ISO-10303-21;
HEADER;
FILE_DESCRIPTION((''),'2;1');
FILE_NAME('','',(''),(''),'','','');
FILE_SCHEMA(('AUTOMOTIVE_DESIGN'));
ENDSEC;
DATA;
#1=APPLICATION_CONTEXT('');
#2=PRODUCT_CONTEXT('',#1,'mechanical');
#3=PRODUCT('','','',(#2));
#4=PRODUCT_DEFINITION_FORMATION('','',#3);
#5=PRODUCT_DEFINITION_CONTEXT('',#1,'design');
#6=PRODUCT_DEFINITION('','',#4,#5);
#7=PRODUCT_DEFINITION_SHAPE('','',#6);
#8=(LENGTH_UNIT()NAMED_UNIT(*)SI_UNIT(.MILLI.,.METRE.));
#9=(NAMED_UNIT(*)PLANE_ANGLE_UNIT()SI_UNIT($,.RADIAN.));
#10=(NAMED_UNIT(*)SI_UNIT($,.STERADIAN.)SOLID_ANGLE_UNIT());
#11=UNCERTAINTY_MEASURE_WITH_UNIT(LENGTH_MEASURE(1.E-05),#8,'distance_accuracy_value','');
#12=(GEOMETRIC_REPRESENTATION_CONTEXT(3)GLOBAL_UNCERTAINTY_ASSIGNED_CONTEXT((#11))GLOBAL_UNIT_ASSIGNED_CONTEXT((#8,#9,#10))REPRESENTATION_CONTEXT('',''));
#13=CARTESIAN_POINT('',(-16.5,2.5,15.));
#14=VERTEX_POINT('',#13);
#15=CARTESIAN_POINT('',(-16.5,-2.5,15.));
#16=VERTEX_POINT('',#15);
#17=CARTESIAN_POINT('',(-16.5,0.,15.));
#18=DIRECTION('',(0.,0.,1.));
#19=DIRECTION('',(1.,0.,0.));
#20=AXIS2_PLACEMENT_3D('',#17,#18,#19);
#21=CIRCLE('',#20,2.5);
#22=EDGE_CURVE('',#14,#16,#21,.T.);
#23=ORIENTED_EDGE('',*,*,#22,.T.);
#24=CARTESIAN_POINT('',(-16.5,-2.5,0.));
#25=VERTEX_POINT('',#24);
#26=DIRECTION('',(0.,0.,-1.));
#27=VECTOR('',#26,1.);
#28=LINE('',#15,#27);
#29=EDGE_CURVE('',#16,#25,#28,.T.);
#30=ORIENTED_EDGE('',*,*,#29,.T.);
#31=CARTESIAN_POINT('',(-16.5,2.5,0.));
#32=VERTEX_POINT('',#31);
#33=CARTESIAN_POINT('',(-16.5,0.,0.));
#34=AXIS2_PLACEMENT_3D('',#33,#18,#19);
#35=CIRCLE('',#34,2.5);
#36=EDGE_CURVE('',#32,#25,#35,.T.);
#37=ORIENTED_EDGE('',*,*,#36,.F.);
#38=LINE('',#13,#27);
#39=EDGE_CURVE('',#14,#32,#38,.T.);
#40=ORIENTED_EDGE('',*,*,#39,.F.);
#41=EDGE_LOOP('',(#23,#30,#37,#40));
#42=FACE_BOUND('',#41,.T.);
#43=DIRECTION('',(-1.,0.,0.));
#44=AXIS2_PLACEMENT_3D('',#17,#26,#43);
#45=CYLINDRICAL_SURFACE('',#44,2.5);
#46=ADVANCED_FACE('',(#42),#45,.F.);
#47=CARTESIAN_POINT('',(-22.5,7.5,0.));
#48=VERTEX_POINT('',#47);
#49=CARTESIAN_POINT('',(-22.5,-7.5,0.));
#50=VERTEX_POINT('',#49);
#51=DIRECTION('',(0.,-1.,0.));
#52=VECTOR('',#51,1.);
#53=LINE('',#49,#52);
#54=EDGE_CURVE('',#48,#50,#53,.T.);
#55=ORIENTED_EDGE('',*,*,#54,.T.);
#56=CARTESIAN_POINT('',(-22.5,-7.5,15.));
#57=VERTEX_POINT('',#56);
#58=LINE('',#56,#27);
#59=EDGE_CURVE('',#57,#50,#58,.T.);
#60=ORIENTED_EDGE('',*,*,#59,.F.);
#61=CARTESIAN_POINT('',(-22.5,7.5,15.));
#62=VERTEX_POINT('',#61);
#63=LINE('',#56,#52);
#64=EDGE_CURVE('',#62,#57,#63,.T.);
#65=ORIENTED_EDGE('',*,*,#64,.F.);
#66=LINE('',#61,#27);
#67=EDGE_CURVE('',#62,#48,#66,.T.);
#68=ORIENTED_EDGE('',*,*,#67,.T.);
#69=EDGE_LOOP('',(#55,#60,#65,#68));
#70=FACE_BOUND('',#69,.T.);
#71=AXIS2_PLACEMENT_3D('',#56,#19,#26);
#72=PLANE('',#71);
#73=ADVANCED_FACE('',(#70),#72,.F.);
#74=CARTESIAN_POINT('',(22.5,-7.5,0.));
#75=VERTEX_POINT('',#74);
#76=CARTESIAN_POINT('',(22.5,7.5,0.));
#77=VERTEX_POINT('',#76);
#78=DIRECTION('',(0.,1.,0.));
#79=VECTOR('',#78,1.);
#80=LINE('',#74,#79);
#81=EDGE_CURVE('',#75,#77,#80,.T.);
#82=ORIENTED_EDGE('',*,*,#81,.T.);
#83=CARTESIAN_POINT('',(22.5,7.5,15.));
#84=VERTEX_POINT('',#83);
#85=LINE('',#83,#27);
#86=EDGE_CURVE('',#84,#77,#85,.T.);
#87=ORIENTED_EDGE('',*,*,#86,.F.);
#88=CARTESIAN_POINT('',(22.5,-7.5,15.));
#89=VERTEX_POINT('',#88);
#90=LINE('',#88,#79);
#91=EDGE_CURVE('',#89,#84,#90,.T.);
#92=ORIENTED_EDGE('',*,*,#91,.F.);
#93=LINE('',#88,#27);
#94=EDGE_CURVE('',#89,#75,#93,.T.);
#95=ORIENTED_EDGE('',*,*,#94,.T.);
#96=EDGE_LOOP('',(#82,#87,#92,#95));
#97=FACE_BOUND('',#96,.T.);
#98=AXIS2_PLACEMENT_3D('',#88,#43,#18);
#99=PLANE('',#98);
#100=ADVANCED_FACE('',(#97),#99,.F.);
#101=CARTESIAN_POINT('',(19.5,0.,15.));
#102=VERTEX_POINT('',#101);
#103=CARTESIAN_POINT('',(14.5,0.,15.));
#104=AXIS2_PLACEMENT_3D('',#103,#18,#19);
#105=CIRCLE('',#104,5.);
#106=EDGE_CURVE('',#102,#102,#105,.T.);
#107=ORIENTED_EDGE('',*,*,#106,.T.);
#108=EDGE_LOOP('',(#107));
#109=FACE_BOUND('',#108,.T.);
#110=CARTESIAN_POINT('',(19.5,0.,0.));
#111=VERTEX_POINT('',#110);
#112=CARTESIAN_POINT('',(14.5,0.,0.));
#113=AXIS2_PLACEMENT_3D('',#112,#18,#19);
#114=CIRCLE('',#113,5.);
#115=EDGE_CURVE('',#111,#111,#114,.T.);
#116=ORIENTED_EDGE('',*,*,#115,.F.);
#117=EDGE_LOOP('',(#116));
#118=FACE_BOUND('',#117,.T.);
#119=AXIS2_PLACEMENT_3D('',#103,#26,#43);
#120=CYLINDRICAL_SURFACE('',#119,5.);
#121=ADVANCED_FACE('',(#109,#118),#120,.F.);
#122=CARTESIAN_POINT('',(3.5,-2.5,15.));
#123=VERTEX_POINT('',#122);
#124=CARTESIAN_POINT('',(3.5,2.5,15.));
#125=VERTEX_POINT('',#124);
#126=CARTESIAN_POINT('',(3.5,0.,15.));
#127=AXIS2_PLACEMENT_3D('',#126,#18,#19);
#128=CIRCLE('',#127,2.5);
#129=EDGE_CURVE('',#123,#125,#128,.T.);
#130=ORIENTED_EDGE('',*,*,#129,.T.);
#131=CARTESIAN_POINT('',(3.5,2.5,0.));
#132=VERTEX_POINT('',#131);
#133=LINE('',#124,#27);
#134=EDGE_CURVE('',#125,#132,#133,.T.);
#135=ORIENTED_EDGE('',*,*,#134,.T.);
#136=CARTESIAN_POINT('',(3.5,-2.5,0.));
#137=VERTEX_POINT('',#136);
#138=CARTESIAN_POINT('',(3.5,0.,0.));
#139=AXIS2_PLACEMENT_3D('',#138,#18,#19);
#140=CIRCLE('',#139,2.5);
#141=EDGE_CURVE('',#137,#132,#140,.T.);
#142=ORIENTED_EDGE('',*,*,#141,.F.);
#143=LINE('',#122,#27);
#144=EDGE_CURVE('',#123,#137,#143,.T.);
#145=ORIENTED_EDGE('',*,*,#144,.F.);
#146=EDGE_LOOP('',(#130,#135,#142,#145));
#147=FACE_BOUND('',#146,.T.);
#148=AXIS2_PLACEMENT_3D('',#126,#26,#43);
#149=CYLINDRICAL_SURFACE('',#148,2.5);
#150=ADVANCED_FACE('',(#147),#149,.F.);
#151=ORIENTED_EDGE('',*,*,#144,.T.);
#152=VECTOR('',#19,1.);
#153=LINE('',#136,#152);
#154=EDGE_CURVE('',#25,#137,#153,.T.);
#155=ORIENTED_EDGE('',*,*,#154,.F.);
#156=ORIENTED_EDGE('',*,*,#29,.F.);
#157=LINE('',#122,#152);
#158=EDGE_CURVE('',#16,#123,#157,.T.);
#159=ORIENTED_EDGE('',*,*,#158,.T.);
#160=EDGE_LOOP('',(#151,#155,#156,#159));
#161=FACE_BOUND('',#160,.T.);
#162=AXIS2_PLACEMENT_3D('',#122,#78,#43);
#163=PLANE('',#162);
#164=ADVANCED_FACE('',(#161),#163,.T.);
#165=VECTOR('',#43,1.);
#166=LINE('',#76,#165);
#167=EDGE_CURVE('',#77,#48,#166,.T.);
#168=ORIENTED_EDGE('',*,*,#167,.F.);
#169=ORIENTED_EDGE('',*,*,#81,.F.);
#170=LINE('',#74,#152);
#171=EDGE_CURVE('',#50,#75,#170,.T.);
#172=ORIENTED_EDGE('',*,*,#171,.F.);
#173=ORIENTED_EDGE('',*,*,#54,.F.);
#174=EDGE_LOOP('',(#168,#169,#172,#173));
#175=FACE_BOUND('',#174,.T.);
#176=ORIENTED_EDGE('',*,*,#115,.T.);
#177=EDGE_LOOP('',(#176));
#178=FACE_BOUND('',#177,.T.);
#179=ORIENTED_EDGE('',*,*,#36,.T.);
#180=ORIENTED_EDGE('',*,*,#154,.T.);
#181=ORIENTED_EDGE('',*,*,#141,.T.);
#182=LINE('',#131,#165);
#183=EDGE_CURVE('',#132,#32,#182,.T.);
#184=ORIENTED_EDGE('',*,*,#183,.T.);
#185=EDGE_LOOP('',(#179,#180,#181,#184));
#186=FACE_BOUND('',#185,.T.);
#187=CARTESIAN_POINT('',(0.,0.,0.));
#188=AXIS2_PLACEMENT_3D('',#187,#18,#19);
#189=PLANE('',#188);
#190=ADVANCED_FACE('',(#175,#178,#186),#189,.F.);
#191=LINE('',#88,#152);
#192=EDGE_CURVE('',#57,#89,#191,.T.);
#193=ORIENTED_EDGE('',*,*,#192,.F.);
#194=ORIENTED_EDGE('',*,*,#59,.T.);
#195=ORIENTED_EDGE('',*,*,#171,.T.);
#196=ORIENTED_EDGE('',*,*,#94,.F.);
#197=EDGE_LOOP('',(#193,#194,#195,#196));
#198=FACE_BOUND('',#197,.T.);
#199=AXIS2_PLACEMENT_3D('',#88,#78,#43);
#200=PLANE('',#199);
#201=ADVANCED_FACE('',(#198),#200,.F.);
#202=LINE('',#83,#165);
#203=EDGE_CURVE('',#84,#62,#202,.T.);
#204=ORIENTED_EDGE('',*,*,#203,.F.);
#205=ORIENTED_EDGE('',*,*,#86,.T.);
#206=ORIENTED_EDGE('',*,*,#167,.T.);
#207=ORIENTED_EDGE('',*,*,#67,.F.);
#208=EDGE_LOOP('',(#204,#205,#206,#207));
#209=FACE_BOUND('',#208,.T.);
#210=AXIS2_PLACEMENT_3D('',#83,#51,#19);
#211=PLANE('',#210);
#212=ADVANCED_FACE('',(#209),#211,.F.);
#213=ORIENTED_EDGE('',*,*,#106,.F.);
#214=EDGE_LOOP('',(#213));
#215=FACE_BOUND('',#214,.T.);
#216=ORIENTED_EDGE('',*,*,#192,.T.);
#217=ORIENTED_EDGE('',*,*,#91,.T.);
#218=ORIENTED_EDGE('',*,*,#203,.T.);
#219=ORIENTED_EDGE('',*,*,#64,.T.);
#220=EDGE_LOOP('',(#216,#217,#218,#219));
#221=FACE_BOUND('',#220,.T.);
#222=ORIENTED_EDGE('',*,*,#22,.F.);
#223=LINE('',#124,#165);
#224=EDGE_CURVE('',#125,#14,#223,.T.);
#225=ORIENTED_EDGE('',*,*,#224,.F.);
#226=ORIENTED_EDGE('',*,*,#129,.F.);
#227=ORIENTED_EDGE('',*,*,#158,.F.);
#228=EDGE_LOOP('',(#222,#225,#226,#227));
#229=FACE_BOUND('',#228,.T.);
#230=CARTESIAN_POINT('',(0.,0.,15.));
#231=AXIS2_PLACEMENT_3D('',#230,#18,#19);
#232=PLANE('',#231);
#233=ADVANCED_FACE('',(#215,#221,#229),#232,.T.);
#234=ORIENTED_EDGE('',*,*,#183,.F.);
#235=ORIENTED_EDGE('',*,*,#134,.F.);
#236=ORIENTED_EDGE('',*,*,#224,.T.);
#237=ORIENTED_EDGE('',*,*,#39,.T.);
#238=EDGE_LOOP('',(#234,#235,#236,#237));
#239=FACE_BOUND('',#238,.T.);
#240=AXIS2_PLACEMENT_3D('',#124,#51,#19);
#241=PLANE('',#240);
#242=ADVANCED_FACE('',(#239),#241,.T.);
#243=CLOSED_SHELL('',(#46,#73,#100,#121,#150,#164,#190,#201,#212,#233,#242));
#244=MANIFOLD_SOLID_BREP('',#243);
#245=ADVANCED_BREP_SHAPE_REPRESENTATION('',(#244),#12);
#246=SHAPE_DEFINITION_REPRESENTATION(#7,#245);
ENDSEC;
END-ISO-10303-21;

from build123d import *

# Parameters (mm, degrees)
SKETCH1_W           = 45
SKETCH1_H           = 15
SKETCH1_R           = 5
BOSS_EXTRUDE1_DEPTH = 15


with BuildPart() as part:
    # Sketch1 → Boss-Extrude1 (new body)
    with BuildSketch(Plane.XY):
        Rectangle(SKETCH1_W, SKETCH1_H)
        with Locations((14.5, 0)):
            Circle(SKETCH1_R, mode=Mode.SUBTRACT)
        with BuildLine():
            Line((3.5, -2.5), (-16.5, -2.5))
            ThreePointArc((-16.5, -2.5), (-19, 0), (-16.5, 2.5))
            Line((-16.5, 2.5), (3.5, 2.5))
            ThreePointArc((3.5, 2.5), (6, 0), (3.5, -2.5))
        make_face(mode=Mode.SUBTRACT)
    extrude(amount=BOSS_EXTRUDE1_DEPTH)


solid = part.part
